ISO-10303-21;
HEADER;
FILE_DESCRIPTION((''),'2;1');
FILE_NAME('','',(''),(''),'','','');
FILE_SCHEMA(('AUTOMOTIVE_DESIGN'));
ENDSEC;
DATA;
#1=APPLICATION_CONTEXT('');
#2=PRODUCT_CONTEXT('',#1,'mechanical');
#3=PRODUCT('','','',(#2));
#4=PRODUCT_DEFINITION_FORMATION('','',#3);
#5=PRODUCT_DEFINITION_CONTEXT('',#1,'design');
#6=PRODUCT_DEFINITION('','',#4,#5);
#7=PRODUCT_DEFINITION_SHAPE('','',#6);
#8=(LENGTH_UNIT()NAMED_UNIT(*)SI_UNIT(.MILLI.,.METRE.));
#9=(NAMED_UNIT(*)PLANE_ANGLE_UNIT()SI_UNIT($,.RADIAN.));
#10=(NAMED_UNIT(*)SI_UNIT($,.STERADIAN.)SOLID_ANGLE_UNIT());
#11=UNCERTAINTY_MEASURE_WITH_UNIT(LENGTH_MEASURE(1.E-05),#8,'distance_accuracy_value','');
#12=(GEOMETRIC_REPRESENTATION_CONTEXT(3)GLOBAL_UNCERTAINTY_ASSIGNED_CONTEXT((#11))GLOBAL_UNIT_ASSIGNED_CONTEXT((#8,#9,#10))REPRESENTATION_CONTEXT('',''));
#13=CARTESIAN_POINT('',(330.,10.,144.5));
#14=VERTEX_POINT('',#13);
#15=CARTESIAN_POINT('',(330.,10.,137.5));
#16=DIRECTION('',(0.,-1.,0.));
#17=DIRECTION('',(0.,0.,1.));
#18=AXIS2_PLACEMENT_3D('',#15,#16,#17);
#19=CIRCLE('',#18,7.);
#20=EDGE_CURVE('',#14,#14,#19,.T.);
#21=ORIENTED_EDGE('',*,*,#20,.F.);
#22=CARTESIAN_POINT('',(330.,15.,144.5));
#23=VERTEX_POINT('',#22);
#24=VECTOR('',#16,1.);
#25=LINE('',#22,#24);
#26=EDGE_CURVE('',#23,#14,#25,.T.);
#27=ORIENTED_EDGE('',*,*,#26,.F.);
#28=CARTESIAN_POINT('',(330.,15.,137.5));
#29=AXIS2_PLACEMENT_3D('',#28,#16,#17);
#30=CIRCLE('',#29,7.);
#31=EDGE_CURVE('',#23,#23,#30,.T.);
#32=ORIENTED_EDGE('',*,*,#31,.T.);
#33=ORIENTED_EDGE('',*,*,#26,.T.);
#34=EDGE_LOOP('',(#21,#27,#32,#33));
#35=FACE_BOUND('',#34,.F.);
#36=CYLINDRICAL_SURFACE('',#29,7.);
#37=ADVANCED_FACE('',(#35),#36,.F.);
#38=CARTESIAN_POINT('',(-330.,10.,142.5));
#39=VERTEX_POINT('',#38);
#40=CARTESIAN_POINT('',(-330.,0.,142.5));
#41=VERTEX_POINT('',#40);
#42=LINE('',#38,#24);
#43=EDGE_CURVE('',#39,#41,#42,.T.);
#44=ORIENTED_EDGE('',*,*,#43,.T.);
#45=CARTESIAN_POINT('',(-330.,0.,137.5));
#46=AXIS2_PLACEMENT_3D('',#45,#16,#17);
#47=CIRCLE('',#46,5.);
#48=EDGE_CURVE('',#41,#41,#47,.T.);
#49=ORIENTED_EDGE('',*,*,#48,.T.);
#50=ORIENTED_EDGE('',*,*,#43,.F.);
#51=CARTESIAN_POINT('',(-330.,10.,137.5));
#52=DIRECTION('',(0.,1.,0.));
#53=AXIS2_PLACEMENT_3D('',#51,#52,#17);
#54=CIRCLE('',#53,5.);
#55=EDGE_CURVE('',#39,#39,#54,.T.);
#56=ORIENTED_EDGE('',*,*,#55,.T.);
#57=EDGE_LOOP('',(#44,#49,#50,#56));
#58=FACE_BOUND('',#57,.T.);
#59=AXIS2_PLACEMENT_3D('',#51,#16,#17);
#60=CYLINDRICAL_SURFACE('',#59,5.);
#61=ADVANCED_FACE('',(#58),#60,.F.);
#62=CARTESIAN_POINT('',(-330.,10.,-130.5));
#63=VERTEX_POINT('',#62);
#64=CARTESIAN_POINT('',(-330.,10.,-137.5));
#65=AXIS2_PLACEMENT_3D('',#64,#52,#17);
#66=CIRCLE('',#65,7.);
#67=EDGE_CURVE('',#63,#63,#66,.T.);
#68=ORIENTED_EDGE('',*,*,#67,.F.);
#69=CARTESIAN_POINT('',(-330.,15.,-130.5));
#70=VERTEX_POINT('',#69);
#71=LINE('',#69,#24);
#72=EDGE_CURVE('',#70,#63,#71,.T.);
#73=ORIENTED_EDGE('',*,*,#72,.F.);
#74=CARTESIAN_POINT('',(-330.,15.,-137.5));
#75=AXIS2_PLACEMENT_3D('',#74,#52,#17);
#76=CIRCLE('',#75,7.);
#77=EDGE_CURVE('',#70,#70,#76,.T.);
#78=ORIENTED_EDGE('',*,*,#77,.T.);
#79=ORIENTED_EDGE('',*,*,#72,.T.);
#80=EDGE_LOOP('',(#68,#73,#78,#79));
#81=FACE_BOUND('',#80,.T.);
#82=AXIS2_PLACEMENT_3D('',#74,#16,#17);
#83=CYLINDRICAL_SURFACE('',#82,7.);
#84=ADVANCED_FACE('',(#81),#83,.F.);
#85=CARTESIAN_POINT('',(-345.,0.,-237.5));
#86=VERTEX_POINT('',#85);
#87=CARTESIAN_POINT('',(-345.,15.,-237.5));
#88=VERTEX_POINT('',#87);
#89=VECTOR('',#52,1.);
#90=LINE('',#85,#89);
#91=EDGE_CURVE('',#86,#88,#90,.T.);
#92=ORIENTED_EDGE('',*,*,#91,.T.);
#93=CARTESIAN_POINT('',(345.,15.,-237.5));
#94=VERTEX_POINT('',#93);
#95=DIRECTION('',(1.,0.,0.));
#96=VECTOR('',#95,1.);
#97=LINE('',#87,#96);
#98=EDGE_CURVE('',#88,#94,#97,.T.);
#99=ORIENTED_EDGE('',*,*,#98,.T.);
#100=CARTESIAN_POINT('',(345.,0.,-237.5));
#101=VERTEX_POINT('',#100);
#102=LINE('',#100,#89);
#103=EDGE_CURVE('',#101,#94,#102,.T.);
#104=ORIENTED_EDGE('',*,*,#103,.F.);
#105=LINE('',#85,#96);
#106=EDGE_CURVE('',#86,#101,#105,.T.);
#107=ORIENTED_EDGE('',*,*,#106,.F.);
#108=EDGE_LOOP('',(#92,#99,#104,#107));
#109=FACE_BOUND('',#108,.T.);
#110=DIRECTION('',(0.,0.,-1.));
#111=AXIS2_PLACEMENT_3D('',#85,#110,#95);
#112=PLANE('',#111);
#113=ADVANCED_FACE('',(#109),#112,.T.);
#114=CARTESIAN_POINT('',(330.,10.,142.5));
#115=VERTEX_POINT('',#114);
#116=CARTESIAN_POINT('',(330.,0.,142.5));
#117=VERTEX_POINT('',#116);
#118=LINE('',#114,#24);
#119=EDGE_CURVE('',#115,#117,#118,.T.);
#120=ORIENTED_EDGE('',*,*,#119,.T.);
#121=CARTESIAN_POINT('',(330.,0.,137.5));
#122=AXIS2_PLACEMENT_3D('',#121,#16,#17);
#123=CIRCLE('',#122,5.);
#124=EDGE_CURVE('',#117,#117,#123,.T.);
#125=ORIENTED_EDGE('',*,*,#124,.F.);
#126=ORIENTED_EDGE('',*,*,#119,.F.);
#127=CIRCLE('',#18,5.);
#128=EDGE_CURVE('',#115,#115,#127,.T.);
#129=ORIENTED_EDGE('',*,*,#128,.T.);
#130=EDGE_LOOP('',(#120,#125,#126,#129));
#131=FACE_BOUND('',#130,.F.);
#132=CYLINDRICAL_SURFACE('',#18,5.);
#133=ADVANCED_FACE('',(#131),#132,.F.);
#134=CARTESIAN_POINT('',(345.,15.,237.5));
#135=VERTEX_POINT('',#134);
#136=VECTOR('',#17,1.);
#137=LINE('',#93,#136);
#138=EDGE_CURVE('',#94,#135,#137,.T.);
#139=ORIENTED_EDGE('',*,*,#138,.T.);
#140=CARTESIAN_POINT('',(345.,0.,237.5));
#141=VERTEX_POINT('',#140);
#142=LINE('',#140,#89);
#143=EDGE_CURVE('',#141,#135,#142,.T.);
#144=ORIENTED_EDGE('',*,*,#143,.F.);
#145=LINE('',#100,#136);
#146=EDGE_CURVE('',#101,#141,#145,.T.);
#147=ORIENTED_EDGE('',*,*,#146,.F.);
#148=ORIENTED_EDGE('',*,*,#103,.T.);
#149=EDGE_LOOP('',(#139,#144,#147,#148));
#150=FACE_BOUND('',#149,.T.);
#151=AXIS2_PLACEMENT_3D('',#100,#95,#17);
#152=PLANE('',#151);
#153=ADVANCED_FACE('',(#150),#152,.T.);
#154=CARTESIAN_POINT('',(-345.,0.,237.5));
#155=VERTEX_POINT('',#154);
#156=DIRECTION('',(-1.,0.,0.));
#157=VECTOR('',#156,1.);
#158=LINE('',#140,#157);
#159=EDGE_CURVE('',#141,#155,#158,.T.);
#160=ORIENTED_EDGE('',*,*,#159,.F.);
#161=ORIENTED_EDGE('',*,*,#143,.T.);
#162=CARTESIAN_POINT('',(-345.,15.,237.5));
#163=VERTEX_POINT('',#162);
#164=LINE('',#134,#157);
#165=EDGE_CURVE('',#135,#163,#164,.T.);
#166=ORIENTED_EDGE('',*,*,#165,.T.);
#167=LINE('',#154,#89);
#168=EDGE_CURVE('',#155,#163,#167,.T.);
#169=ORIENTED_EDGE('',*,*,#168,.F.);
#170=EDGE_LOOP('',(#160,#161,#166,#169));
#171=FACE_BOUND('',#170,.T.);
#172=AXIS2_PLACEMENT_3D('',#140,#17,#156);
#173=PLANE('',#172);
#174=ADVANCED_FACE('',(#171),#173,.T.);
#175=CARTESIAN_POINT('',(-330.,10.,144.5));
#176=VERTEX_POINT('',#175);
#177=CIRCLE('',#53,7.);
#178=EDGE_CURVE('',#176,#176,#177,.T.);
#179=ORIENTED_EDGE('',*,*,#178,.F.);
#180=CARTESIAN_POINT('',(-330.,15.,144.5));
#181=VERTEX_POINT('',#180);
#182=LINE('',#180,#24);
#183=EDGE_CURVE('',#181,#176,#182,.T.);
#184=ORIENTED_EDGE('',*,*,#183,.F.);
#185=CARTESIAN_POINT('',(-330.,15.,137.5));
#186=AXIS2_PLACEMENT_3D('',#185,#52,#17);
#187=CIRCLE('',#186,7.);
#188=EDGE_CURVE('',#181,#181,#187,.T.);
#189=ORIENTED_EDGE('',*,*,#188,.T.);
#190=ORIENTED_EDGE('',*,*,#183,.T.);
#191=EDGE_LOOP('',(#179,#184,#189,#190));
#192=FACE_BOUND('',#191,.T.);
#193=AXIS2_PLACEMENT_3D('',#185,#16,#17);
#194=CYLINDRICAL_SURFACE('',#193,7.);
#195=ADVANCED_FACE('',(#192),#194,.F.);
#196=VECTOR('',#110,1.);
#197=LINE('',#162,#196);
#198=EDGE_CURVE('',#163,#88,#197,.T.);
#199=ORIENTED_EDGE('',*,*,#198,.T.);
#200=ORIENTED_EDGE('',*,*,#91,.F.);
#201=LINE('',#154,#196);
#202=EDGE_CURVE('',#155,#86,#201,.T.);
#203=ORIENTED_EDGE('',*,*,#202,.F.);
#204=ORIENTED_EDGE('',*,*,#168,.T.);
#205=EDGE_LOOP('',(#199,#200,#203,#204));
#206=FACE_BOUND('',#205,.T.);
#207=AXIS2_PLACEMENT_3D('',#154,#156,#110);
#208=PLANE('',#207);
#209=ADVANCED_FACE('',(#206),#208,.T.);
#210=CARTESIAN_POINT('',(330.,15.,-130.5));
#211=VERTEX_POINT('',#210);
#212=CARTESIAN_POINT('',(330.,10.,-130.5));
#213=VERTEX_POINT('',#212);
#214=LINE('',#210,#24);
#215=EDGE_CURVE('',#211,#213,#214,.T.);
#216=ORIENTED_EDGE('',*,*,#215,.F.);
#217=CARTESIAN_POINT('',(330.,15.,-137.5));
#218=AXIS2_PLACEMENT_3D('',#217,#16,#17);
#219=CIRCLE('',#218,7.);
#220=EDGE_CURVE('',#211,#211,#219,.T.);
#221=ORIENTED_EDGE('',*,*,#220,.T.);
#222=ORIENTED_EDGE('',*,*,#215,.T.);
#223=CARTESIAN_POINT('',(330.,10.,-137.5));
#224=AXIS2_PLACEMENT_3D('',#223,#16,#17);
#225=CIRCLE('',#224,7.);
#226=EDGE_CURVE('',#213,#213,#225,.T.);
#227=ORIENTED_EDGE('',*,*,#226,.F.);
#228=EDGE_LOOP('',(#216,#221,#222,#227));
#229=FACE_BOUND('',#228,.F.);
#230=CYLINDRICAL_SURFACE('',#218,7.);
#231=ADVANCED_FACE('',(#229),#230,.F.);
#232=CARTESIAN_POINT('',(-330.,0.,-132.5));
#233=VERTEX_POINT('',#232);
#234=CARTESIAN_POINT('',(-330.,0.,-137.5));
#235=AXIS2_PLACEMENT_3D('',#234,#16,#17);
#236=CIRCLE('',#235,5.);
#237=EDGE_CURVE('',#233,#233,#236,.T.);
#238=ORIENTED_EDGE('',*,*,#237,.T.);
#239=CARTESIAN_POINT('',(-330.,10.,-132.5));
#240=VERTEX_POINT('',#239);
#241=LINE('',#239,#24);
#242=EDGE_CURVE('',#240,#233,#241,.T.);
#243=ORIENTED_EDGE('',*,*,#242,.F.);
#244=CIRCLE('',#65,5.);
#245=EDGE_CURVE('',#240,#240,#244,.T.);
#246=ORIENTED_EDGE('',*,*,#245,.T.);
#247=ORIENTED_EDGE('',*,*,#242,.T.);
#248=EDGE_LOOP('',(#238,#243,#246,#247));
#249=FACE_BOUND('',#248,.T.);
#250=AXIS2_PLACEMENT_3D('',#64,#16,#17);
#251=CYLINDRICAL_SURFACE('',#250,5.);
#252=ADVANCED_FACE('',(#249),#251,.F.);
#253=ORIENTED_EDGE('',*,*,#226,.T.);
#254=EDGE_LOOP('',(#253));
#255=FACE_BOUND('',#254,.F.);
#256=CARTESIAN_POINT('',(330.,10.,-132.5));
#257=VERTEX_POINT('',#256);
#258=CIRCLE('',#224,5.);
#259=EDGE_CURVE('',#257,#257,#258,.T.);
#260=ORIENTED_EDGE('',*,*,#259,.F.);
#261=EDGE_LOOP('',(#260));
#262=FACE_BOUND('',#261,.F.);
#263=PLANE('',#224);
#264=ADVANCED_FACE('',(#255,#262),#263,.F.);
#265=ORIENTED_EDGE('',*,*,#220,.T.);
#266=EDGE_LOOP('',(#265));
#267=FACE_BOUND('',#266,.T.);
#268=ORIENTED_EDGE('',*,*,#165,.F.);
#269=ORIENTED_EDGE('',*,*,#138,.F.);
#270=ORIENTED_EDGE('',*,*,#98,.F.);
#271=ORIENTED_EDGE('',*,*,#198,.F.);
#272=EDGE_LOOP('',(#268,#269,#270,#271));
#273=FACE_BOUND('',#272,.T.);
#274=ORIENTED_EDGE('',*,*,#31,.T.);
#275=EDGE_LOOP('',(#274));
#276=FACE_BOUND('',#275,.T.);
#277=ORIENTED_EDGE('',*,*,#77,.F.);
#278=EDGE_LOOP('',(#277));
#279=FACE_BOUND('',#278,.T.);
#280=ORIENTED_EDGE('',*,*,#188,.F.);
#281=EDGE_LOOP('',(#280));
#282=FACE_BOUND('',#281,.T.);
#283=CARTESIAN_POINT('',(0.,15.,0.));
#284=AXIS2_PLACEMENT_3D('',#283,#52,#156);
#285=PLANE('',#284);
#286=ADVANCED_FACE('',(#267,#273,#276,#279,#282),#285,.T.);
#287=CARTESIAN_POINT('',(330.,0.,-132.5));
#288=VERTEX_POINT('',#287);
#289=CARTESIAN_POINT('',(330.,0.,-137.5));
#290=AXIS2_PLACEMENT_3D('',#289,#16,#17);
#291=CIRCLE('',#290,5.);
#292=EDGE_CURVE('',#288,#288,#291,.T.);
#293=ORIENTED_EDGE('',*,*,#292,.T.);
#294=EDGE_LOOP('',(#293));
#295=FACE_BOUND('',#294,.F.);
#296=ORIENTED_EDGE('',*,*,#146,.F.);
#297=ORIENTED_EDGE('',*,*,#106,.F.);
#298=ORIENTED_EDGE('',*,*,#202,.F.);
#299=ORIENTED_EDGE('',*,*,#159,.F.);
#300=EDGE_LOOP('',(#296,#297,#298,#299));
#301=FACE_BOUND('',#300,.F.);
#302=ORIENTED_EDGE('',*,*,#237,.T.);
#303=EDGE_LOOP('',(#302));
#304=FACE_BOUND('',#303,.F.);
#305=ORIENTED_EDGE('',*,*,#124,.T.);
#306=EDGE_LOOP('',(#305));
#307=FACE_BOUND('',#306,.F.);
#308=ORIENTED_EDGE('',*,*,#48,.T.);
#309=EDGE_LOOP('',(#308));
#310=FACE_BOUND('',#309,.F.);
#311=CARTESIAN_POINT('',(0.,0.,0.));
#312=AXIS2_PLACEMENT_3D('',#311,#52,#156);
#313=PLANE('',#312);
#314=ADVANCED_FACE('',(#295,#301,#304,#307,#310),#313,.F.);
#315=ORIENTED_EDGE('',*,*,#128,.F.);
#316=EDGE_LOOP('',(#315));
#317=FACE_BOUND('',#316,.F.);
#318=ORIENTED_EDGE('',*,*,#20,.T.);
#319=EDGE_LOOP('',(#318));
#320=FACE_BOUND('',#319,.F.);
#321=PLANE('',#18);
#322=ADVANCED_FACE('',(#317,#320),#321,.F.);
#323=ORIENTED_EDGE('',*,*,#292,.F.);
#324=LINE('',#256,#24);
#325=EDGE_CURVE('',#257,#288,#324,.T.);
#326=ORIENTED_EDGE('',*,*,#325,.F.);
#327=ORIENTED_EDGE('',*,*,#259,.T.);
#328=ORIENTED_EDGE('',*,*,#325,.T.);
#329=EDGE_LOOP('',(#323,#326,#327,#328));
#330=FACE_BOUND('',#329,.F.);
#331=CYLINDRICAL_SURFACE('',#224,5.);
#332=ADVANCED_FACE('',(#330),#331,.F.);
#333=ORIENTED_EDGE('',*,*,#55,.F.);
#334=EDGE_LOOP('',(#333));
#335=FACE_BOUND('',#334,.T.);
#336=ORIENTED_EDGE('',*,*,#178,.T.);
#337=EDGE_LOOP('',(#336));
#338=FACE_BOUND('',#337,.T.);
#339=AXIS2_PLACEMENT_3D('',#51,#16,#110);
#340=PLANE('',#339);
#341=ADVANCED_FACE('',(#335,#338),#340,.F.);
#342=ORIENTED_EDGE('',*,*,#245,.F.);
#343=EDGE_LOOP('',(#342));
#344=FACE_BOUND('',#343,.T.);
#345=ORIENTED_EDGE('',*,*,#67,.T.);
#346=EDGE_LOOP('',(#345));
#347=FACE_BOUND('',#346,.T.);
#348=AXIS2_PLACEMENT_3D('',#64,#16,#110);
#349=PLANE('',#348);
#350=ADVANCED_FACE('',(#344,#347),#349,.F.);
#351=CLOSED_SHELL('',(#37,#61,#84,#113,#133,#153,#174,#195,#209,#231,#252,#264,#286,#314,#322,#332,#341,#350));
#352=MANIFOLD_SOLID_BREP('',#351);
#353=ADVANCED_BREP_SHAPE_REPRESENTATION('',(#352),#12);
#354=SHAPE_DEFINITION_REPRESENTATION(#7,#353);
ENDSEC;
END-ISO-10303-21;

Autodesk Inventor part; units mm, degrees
ref_plane "YZ Plane" through (0, 0, 0) normal (1, 0, 0) x (0, 1, 0)
ref_plane "XZ Plane" through (0, 0, 0) normal (0, 1, 0) x (-1, 0, 0)
ref_plane "XY Plane" through (0, 0, 0) normal (0, 0, 1) x (1, 0, 0)
sketch "Sketch1" plane through (0, 0, 0) normal (0, 1, 0) x (-1, 0, 0)
  line L0 (345, -237.5) -> (-345, -237.5)
  line L1 (-345, -237.5) -> (-345, 237.5)
  line L2 (-345, 237.5) -> (345, 237.5)
  line L3 (345, 237.5) -> (345, -237.5)
  line L4 (345, -237.5) -> (-345, 237.5) construction
  line L5 (-345, -237.5) -> (345, 237.5) construction
  point P0 (0, 0)
  dimension "d0" = 690
  dimension "d1" = 475
extrude "Plate1" add sketch "Sketch1" along normal blind 15
sketch "Sketch2" plane through (0, 15, 0) normal (0, 1, 0) x (1, 0, 0)
  line L0 (-345, -237.5) -> (-345, 237.5) construction
  line L1 (345, -237.5) -> (-345, -237.5) construction
  line L2 (345, 237.5) -> (345, -237.5) construction
  line L3 (-345, 237.5) -> (345, 237.5) construction
  line L4 (330, -237.5) -> (330, 237.5) construction
  line L5 (345, 0) -> (0, 0) construction
  point P0 (330, -137.5)
  point P1 (330, 137.5)
  dimension "d4" = 330
  dimension "d5" = 275
  dimension "d6" = 100
  dimension "d7" = 100
hole "Hole1" at (330, 15, 137.5) at (330, 15, -137.5) direction (0, -1, 0) diameter 10 end through all counterbore diameter 14 counterbore depth 5
mirror "Mirror1" about plane through (0, 0, 0) normal (1, 0, 0) of "Hole1"
equation "\"d13\" = Thickness"
equation "\"d2\" = Thickness"
equation "\"BendRadius\" = Thickness"
equation "\"BendReliefWidth\" = Thickness"
equation "\"BendReliefDepth\" = 0.5 * Thickness"
equation "\"TransitionRadius\" = BendRadius"
equation "\"JacobiRadiusSize\" = BendRadius"
equation "\"GapSize\" = Thickness"
equation "\"Thickness\" = 15"
properties part number "фанера1" material "Wood (Maple)"
